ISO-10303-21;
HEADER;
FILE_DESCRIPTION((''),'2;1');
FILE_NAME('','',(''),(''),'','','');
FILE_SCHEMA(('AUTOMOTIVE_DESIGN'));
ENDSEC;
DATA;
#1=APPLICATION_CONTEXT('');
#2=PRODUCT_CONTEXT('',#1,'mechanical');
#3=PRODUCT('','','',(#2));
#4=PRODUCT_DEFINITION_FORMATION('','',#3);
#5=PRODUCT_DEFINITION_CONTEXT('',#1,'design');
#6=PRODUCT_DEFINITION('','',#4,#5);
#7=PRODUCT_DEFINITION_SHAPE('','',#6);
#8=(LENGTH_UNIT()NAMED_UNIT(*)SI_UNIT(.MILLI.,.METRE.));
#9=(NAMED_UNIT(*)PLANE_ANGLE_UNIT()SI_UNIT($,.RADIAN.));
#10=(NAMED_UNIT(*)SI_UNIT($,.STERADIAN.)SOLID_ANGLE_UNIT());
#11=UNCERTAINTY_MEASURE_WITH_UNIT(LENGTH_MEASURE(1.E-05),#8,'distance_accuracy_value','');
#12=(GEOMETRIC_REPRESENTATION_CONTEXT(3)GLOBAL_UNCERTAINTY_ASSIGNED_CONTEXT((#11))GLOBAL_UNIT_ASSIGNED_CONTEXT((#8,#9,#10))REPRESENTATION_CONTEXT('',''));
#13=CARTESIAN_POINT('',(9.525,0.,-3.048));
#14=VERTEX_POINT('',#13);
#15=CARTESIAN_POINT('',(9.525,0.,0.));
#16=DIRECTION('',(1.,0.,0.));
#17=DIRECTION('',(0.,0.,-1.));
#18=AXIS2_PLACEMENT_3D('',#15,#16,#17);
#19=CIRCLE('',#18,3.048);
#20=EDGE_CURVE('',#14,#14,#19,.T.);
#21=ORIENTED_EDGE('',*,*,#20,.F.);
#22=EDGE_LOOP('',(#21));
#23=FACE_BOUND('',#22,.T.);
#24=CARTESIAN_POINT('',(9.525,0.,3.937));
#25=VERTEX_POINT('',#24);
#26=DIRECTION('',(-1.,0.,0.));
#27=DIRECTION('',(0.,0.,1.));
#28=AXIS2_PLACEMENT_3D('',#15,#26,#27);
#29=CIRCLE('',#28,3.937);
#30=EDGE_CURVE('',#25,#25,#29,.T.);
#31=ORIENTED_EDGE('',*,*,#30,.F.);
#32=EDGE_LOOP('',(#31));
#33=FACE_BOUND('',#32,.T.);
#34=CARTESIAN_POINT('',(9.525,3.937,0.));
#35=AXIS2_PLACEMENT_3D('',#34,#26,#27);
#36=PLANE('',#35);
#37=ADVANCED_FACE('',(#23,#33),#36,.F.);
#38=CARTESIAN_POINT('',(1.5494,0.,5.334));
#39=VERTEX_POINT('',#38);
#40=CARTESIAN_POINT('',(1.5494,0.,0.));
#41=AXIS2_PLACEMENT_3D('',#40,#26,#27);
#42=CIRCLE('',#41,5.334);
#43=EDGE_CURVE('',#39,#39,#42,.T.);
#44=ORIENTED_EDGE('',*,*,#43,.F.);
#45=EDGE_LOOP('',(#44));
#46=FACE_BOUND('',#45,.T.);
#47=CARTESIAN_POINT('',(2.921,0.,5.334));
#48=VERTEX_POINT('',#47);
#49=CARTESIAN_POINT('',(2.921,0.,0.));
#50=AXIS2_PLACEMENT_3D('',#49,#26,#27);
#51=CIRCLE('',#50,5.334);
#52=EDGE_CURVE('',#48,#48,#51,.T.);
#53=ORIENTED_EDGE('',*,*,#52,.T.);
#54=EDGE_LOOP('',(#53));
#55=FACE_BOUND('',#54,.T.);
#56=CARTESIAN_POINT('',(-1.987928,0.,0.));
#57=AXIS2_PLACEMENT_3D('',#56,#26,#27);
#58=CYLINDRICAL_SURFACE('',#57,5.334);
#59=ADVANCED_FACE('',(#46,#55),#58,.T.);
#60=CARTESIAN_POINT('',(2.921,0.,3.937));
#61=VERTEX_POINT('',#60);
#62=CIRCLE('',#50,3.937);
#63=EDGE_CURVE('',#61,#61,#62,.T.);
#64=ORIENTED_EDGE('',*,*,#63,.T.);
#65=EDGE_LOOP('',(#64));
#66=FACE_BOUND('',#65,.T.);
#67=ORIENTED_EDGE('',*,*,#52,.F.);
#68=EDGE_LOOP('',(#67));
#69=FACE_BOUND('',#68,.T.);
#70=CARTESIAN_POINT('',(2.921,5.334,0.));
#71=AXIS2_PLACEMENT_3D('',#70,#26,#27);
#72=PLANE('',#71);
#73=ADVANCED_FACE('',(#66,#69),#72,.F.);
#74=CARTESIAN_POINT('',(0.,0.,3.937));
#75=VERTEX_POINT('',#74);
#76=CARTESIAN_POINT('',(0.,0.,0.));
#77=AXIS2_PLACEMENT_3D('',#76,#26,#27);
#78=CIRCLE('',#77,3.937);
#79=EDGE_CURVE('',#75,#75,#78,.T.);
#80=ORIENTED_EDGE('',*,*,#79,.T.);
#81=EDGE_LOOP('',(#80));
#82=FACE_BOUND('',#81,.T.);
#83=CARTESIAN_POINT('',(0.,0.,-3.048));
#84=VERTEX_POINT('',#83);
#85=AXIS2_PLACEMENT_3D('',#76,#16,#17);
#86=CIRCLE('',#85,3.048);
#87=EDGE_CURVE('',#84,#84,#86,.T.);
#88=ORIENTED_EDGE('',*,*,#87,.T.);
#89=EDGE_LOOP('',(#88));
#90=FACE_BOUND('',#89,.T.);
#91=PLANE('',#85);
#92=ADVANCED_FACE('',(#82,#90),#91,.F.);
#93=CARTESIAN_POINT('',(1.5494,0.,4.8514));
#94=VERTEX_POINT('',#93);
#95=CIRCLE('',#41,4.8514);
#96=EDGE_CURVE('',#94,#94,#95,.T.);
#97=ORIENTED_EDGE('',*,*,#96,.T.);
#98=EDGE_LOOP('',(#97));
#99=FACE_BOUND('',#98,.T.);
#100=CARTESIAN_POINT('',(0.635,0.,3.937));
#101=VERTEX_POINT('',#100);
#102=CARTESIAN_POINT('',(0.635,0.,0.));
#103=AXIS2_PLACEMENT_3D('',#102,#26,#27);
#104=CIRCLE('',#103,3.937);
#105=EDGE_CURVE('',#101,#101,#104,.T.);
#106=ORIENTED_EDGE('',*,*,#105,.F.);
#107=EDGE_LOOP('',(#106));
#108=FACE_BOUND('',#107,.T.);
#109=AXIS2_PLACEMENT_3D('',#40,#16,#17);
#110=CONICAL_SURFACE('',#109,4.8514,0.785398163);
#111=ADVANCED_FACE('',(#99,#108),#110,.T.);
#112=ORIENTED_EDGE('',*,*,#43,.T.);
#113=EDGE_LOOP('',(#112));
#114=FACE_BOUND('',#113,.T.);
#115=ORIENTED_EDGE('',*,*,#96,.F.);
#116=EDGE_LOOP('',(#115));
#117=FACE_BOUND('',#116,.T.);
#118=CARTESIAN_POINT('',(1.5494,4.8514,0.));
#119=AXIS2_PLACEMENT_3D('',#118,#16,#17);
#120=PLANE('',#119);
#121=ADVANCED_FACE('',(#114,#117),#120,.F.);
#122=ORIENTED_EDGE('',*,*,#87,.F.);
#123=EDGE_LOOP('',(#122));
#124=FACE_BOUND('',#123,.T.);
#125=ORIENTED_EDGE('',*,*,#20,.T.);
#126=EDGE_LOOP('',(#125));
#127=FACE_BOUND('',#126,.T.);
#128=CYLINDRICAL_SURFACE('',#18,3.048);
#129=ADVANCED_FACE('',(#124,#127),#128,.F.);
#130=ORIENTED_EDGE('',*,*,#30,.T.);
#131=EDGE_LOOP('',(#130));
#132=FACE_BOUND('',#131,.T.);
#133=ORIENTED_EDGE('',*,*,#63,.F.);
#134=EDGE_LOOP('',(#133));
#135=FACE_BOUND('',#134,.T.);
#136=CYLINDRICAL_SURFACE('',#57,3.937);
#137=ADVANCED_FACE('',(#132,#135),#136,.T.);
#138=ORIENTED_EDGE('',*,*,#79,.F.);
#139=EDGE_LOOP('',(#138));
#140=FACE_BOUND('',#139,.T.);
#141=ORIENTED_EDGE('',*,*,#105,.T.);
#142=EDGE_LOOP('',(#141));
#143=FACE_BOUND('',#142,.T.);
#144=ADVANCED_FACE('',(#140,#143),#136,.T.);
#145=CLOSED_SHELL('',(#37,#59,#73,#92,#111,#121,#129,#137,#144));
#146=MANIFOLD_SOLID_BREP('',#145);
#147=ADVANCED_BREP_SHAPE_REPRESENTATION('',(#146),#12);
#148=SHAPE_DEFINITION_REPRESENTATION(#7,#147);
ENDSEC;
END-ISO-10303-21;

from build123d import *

# Parameters (mm, degrees)
F_1_4_0_24_DIAMETER_HOLE1_D = 6.096


with BuildPart() as part:
    # Sketch1 → Revolve1 (revolve)
    with BuildSketch(Plane.XY):
        Polygon((0, 0), (0, 3.937), (0.635, 3.937), (1.5494, 4.8514), (1.5494, 5.334), (2.921, 5.334), (2.921, 3.937), (9.525, 3.937), (9.525, 0), align=None)
    revolve(axis=Axis((-1.987928477, 0, 0), (1, 0, 0)))

    # 1/4 (0.24) Diameter Hole1 (through all)
    with Locations(Plane(origin=(9.525, 0, 0), x_dir=(0, 0, -1), z_dir=(1, 0, 0))):
        with Locations((0, 0)):
            Hole(F_1_4_0_24_DIAMETER_HOLE1_D / 2)


solid = part.part
